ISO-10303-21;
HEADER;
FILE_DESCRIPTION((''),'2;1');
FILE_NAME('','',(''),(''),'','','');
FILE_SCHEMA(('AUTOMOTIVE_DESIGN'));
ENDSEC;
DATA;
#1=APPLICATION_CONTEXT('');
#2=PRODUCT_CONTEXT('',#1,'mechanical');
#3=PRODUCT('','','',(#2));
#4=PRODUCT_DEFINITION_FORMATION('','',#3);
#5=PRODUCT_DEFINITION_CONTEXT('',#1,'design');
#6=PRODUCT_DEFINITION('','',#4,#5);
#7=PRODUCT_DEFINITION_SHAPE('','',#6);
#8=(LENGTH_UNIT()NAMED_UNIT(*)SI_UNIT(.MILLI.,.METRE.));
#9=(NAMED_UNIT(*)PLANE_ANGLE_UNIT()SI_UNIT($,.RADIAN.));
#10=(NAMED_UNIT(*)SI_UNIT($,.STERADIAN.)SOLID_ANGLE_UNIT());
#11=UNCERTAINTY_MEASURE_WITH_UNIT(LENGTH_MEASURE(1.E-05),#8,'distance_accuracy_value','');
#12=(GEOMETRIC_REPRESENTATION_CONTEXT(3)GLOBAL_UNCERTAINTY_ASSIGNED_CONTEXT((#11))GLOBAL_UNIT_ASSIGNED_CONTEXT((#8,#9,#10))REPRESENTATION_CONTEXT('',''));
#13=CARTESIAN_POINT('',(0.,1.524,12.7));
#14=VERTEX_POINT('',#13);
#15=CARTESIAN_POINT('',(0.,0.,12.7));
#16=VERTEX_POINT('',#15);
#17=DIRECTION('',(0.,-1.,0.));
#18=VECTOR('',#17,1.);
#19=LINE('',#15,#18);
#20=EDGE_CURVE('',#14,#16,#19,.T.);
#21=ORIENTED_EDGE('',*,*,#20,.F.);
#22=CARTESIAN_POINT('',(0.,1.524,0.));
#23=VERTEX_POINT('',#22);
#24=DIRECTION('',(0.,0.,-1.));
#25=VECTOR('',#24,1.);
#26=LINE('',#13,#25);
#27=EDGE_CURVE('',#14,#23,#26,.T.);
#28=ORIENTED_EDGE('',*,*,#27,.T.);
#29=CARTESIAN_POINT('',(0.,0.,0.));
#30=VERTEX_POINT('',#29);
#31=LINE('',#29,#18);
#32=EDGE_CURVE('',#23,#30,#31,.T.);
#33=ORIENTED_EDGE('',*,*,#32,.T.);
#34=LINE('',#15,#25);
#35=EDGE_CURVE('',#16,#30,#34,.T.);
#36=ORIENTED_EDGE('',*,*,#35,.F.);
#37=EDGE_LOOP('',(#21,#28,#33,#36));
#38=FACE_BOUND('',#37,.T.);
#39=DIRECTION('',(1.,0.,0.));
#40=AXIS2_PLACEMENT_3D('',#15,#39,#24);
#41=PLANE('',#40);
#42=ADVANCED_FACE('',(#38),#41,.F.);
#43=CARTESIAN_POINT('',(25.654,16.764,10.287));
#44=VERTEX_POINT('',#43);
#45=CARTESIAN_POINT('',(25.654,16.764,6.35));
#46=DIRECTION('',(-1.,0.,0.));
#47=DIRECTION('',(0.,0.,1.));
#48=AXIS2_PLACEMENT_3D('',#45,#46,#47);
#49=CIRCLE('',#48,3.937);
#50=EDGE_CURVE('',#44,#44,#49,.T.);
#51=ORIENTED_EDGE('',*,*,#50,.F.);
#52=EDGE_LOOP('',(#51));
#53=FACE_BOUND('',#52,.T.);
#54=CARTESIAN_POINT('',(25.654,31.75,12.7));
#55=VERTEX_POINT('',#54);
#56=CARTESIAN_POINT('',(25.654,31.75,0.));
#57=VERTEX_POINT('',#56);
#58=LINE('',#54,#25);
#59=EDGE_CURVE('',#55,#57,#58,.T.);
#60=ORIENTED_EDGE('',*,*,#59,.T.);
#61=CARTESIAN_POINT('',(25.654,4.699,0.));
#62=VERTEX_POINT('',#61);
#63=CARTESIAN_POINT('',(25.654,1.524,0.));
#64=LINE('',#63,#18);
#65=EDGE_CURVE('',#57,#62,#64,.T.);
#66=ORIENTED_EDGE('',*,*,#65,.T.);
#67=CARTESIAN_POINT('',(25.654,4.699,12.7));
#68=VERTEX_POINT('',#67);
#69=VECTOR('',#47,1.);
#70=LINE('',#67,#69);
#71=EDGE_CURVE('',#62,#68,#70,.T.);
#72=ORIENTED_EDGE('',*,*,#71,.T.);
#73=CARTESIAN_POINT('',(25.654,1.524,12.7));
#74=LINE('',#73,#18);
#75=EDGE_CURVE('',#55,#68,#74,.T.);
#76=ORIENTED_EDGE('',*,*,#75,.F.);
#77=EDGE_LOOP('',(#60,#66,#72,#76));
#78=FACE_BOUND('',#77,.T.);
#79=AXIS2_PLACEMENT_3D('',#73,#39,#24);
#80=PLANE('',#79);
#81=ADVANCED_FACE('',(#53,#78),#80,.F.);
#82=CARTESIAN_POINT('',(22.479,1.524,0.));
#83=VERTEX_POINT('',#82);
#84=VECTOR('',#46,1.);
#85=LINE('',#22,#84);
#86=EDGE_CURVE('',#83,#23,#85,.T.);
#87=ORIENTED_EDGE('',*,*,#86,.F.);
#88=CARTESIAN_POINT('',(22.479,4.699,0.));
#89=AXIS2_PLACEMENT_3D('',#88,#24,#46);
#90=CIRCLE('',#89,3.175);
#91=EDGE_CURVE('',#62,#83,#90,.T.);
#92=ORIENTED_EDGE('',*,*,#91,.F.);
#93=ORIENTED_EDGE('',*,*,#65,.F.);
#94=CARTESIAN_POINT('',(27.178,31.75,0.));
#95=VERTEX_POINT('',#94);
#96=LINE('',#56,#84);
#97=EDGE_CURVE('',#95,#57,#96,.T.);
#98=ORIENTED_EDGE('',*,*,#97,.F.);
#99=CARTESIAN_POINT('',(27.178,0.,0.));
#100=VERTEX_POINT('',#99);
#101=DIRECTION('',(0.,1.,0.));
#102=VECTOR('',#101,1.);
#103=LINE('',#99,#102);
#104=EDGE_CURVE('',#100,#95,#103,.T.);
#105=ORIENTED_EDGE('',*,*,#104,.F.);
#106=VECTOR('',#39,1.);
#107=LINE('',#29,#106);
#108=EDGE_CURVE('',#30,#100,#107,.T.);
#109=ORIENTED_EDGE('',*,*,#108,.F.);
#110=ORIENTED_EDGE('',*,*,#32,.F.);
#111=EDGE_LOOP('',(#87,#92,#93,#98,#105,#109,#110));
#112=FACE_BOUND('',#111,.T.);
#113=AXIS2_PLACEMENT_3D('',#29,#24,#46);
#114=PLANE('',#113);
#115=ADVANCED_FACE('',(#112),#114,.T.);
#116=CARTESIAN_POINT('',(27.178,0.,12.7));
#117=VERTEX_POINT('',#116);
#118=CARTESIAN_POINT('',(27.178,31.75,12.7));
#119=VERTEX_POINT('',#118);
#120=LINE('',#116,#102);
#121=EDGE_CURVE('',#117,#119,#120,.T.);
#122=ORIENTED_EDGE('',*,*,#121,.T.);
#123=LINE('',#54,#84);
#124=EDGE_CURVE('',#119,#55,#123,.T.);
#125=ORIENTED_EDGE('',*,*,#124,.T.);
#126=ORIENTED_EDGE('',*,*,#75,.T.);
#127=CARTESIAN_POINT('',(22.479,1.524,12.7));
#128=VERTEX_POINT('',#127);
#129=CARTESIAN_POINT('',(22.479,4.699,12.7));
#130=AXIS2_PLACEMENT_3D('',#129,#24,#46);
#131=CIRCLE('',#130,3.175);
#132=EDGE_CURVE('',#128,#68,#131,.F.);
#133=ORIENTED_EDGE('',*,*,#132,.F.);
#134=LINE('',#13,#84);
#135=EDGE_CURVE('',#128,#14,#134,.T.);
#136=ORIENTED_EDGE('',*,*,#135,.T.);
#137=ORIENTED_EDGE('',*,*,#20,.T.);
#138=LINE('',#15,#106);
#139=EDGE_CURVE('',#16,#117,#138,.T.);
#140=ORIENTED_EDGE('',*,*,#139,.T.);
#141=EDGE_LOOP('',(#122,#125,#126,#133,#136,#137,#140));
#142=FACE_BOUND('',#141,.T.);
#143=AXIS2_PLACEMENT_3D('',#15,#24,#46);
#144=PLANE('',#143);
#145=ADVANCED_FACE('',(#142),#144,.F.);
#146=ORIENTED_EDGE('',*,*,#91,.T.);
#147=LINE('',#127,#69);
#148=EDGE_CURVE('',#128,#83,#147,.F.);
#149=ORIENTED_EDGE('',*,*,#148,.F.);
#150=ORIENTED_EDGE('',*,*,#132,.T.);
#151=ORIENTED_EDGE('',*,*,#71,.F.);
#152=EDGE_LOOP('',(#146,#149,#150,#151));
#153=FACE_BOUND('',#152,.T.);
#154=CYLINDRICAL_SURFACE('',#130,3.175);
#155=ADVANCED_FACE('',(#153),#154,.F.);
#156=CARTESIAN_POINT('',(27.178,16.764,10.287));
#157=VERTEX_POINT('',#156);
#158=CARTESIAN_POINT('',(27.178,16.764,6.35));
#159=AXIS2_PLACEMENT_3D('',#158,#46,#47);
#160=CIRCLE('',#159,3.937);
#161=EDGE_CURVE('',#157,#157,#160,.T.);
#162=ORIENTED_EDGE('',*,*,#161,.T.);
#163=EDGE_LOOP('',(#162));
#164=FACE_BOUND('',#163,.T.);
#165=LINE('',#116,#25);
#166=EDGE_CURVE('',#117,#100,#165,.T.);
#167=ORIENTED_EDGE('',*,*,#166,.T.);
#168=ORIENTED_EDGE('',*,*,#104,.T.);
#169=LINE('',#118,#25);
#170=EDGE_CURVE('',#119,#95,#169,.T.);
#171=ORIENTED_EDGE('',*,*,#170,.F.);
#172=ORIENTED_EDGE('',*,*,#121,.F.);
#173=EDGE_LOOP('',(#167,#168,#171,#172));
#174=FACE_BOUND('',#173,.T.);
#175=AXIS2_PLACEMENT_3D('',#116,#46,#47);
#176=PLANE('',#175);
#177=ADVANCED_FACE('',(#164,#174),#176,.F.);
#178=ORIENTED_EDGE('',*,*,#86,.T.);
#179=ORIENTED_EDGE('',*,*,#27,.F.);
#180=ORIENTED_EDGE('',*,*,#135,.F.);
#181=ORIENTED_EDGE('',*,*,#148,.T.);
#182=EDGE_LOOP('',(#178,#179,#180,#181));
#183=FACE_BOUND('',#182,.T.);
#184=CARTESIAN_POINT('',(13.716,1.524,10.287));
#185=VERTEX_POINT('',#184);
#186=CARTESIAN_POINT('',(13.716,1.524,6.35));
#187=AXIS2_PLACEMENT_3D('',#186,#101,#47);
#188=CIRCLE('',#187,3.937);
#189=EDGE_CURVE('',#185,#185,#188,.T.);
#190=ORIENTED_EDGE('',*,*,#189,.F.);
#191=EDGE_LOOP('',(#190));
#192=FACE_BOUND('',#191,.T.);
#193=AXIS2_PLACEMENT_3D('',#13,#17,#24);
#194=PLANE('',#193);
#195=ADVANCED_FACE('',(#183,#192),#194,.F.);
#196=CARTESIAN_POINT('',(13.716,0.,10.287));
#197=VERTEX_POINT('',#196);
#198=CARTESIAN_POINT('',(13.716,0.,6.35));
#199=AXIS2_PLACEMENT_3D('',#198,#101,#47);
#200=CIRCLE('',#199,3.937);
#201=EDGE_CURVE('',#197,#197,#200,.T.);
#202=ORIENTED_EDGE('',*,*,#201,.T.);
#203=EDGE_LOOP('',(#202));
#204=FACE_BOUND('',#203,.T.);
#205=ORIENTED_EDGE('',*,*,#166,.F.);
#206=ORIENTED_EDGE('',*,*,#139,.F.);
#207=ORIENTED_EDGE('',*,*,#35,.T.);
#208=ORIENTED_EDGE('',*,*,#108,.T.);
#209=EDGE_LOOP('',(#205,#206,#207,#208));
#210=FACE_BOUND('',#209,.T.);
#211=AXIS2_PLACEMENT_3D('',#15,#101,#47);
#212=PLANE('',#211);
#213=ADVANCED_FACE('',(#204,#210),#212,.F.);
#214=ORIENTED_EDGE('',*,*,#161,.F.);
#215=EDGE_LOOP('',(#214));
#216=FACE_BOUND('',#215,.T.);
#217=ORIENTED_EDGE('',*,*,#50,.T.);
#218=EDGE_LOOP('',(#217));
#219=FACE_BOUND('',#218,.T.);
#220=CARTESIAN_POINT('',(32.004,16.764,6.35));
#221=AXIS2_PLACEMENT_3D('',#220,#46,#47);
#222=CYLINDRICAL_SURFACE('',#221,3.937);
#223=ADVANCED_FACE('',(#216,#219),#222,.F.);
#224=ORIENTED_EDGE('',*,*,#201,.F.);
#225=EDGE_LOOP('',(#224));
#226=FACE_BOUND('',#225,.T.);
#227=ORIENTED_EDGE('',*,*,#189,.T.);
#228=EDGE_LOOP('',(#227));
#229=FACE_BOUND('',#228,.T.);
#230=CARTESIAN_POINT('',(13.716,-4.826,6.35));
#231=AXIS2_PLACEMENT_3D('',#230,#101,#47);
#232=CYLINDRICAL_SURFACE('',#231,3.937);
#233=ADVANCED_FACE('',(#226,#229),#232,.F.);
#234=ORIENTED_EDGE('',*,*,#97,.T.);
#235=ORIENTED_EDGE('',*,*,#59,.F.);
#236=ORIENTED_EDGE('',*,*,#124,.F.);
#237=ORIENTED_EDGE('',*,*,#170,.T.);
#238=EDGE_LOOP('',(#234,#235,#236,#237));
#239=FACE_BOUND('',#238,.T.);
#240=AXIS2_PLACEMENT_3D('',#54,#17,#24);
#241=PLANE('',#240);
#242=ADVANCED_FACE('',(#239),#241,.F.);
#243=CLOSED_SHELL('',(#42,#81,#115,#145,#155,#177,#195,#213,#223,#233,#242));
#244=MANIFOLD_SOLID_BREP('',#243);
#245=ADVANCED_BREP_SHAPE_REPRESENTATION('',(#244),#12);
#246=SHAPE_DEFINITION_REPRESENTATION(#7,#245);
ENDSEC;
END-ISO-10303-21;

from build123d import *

# Parameters (mm, degrees)
BOSS_EXTRUDE1_DEPTH = 12.7
SKETCH2_R           = 3.937
CUT_EXTRUDE1_DEPTH  = 6.35
SKETCH4_R           = 3.937
CUT_EXTRUDE2_DEPTH  = 6.35
FILLET2_R           = 3.175


with BuildPart() as part:
    # Sketch1 → Boss-Extrude1 (new body)
    with BuildSketch(Plane.XY):
        Polygon((0, 0), (27.178, 0), (27.178, 31.75), (25.654, 31.75), (25.654, 1.524), (0, 1.524), align=None)
    extrude(amount=BOSS_EXTRUDE1_DEPTH)

    # Sketch2 → Cut-Extrude1 (cut)
    with BuildSketch(Plane.ZY.offset(-25.654)):
        with Locations((6.35, 16.764)):
            Circle(SKETCH2_R)
    extrude(amount=-CUT_EXTRUDE1_DEPTH, mode=Mode.SUBTRACT)

    # Sketch4 → Cut-Extrude2 (cut)
    with BuildSketch(Plane(origin=(0, 1.524, 0), x_dir=(1, 0, 0), z_dir=(0, 1, 0))):
        with Locations(Location((13.716, -6.35, 0), (0, 0, 270))):
            Circle(SKETCH4_R)
    extrude(amount=-CUT_EXTRUDE2_DEPTH, mode=Mode.SUBTRACT)

    # Fillet2
    fillet2_edges = [part.edges().sort_by_distance(p)[0] for p in [
        (25.654, 1.524, 6.35),
    ]]
    fillet(fillet2_edges, radius=FILLET2_R)


solid = part.part
